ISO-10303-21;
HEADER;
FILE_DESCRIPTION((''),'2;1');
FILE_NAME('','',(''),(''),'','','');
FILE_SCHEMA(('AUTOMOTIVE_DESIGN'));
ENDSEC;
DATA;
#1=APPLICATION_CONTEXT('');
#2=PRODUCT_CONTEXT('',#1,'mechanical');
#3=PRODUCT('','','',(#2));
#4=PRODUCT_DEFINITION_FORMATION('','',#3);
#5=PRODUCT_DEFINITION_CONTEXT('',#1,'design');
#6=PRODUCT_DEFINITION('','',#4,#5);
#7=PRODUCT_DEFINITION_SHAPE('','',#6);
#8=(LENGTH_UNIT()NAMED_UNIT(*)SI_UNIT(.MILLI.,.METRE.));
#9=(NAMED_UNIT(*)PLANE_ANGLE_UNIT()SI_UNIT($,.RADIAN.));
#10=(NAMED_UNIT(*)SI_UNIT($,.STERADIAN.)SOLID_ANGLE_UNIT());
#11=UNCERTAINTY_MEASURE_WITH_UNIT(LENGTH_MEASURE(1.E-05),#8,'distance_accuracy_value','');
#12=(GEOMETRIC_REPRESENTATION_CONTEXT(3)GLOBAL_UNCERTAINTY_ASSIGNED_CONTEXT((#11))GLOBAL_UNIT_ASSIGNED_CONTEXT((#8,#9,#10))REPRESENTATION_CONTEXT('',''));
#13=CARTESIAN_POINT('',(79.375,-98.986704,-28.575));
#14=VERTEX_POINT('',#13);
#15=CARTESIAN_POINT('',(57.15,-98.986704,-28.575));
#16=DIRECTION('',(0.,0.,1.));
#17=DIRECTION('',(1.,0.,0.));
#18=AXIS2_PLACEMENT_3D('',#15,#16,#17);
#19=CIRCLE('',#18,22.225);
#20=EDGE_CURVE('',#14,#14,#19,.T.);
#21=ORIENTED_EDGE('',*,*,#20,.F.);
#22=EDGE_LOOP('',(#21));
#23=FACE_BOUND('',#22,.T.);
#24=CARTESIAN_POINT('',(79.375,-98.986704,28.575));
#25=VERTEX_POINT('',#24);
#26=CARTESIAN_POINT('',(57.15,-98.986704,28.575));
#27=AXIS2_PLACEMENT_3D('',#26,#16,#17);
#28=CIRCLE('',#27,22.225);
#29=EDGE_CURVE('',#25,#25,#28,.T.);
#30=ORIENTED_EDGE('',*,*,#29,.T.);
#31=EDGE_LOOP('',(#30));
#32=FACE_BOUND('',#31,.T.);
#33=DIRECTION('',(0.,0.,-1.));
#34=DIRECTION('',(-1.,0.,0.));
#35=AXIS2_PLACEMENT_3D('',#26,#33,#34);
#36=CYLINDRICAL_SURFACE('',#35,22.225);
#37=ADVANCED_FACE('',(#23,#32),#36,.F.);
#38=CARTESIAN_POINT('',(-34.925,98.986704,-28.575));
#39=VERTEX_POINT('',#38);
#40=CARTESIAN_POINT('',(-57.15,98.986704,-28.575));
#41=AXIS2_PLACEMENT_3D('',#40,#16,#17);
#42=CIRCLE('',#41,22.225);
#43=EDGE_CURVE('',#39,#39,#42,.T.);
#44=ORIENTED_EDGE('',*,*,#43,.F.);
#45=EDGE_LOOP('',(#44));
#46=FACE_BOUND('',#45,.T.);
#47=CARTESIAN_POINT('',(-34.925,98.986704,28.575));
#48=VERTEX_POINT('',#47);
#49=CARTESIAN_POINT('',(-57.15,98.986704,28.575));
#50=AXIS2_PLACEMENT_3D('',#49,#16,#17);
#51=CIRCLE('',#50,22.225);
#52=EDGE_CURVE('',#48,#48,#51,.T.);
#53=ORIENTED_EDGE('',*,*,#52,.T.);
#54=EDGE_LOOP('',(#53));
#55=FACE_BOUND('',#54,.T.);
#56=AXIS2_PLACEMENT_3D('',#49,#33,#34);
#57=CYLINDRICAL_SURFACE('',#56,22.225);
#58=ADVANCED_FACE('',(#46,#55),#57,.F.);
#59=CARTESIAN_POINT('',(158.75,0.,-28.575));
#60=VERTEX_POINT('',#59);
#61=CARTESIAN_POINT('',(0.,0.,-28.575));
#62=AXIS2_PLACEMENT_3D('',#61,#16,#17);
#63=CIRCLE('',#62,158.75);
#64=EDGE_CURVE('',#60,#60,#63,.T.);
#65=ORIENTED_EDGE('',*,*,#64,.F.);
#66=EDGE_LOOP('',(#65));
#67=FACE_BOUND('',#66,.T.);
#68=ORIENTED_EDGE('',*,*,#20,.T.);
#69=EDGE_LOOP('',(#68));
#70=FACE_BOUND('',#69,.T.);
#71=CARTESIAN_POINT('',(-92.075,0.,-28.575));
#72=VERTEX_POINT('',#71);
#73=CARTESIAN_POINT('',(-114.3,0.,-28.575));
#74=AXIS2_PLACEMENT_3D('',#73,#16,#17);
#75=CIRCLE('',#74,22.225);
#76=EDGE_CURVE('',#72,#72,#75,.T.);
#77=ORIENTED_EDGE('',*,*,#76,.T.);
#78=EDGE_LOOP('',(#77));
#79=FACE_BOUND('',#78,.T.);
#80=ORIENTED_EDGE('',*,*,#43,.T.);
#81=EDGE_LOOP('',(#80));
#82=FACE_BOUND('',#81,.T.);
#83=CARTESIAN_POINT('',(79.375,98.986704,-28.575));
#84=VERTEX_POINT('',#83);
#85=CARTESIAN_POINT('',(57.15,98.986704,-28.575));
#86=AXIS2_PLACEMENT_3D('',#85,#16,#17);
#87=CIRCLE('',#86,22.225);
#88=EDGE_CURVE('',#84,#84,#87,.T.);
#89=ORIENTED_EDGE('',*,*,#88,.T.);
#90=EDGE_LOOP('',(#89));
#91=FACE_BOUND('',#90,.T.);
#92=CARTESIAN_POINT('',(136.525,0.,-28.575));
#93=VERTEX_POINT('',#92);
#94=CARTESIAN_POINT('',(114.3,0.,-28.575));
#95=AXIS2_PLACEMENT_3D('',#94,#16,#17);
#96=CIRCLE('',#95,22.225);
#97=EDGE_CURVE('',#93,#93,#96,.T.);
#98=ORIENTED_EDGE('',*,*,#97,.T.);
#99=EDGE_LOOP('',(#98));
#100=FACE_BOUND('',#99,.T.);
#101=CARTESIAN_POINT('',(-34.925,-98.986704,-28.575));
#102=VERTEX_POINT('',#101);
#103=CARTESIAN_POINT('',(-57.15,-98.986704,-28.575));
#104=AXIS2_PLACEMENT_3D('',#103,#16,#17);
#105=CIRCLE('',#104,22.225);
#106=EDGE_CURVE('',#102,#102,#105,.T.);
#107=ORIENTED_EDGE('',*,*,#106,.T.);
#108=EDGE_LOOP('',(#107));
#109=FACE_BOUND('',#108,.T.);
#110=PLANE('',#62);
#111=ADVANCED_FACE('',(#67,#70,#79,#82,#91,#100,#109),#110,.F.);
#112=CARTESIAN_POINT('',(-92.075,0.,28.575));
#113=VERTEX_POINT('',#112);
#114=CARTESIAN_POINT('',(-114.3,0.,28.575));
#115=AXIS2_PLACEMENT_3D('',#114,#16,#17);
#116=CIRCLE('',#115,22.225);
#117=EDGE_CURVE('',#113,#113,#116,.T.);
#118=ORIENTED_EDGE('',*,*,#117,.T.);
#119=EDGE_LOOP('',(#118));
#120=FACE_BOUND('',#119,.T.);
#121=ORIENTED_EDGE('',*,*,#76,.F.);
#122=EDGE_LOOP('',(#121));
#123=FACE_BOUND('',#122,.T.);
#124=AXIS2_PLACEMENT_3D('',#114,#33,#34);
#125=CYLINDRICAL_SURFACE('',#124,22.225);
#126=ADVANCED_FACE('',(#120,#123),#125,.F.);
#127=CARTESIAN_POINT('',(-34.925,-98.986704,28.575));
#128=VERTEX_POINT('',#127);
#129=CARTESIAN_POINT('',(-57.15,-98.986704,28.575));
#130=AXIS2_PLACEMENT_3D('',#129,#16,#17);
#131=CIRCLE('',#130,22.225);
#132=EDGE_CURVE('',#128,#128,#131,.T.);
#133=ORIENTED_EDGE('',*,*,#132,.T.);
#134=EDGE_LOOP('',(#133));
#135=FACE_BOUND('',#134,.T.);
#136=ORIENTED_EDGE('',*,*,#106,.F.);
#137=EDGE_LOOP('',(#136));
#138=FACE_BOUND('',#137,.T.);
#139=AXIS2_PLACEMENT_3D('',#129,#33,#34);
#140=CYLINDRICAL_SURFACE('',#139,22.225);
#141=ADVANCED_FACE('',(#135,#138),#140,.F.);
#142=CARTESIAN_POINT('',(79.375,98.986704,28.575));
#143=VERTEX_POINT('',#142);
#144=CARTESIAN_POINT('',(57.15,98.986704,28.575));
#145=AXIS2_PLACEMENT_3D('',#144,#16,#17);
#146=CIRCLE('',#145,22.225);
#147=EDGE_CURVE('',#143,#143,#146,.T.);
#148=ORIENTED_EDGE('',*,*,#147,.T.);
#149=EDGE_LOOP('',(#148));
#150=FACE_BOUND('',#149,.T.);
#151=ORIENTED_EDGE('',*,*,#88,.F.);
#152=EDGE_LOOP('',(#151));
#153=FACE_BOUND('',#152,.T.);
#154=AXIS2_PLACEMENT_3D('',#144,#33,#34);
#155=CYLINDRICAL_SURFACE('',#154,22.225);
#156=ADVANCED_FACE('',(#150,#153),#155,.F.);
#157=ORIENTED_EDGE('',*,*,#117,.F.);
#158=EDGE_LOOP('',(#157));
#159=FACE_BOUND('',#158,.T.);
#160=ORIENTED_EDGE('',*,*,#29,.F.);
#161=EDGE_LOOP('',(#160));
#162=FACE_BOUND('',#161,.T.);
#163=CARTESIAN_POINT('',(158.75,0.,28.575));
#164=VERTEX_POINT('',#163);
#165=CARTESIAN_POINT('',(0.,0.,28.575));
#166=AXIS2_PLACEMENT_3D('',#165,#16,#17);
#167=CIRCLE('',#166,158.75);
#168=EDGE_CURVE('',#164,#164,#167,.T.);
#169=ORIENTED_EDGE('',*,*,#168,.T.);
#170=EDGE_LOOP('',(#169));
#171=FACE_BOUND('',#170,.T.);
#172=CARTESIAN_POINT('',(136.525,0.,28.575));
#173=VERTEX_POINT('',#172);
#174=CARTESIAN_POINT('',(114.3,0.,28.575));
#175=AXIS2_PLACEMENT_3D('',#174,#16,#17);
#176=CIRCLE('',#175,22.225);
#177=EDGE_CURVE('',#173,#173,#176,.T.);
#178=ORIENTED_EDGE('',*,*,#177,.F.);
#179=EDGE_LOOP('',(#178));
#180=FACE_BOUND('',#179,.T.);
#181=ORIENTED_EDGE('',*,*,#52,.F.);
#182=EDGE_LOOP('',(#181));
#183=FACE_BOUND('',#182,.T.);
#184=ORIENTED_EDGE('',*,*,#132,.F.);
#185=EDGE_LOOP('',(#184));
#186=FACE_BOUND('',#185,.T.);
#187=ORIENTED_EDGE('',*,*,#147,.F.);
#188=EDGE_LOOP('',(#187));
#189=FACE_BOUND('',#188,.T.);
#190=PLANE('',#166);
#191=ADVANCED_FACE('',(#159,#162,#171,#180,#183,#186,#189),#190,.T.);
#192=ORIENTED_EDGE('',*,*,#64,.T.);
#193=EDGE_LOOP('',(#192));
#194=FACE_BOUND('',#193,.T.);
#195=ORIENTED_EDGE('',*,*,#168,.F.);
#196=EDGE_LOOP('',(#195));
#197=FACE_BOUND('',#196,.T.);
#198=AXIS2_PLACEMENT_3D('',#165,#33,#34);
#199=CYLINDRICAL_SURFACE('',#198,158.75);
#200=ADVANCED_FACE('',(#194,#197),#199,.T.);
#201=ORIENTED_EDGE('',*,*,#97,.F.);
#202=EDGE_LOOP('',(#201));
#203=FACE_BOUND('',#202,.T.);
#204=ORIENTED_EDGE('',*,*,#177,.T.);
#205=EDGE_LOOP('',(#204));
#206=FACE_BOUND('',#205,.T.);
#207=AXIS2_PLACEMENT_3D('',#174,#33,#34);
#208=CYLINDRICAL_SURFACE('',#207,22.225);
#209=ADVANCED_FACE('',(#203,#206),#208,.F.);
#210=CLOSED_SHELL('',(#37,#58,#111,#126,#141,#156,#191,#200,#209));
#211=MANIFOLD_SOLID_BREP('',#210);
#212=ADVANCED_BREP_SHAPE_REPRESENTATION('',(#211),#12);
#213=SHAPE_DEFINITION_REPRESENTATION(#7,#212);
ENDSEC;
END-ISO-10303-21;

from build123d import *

# Parameters (mm, degrees)
SKETCH1_R           = 158.75
SKETCH1_R_2         = 22.225
BOSS_EXTRUDE1_DEPTH = 28.575


with BuildPart() as part:
    # Sketch1 → Boss-Extrude1 (new, symmetric)
    with BuildSketch(Plane(origin=(0, 0, 0), x_dir=(0, 1, 0), z_dir=(0, 0, 1))):
        with Locations(Location((0, 0, 0), (0, 0, 270))):
            Circle(SKETCH1_R)
        with Locations(Location((0, 114.3, 0), (0, 0, 270))):
            Circle(SKETCH1_R_2, mode=Mode.SUBTRACT)
        with Locations(Location((98.986703653, 57.15, 0), (0, 0, 270))):
            Circle(SKETCH1_R_2, mode=Mode.SUBTRACT)
        with Locations(Location((98.986703653, -57.15, 0), (0, 0, 270))):
            Circle(SKETCH1_R_2, mode=Mode.SUBTRACT)
        with Locations(Location((0, -114.3, 0), (0, 0, 270))):
            Circle(SKETCH1_R_2, mode=Mode.SUBTRACT)
        with Locations(Location((-98.986703653, -57.15, 0), (0, 0, 270))):
            Circle(SKETCH1_R_2, mode=Mode.SUBTRACT)
        with Locations(Location((-98.986703653, 57.15, 0), (0, 0, 270))):
            Circle(SKETCH1_R_2, mode=Mode.SUBTRACT)
    extrude(amount=BOSS_EXTRUDE1_DEPTH, both=True)


solid = part.part
